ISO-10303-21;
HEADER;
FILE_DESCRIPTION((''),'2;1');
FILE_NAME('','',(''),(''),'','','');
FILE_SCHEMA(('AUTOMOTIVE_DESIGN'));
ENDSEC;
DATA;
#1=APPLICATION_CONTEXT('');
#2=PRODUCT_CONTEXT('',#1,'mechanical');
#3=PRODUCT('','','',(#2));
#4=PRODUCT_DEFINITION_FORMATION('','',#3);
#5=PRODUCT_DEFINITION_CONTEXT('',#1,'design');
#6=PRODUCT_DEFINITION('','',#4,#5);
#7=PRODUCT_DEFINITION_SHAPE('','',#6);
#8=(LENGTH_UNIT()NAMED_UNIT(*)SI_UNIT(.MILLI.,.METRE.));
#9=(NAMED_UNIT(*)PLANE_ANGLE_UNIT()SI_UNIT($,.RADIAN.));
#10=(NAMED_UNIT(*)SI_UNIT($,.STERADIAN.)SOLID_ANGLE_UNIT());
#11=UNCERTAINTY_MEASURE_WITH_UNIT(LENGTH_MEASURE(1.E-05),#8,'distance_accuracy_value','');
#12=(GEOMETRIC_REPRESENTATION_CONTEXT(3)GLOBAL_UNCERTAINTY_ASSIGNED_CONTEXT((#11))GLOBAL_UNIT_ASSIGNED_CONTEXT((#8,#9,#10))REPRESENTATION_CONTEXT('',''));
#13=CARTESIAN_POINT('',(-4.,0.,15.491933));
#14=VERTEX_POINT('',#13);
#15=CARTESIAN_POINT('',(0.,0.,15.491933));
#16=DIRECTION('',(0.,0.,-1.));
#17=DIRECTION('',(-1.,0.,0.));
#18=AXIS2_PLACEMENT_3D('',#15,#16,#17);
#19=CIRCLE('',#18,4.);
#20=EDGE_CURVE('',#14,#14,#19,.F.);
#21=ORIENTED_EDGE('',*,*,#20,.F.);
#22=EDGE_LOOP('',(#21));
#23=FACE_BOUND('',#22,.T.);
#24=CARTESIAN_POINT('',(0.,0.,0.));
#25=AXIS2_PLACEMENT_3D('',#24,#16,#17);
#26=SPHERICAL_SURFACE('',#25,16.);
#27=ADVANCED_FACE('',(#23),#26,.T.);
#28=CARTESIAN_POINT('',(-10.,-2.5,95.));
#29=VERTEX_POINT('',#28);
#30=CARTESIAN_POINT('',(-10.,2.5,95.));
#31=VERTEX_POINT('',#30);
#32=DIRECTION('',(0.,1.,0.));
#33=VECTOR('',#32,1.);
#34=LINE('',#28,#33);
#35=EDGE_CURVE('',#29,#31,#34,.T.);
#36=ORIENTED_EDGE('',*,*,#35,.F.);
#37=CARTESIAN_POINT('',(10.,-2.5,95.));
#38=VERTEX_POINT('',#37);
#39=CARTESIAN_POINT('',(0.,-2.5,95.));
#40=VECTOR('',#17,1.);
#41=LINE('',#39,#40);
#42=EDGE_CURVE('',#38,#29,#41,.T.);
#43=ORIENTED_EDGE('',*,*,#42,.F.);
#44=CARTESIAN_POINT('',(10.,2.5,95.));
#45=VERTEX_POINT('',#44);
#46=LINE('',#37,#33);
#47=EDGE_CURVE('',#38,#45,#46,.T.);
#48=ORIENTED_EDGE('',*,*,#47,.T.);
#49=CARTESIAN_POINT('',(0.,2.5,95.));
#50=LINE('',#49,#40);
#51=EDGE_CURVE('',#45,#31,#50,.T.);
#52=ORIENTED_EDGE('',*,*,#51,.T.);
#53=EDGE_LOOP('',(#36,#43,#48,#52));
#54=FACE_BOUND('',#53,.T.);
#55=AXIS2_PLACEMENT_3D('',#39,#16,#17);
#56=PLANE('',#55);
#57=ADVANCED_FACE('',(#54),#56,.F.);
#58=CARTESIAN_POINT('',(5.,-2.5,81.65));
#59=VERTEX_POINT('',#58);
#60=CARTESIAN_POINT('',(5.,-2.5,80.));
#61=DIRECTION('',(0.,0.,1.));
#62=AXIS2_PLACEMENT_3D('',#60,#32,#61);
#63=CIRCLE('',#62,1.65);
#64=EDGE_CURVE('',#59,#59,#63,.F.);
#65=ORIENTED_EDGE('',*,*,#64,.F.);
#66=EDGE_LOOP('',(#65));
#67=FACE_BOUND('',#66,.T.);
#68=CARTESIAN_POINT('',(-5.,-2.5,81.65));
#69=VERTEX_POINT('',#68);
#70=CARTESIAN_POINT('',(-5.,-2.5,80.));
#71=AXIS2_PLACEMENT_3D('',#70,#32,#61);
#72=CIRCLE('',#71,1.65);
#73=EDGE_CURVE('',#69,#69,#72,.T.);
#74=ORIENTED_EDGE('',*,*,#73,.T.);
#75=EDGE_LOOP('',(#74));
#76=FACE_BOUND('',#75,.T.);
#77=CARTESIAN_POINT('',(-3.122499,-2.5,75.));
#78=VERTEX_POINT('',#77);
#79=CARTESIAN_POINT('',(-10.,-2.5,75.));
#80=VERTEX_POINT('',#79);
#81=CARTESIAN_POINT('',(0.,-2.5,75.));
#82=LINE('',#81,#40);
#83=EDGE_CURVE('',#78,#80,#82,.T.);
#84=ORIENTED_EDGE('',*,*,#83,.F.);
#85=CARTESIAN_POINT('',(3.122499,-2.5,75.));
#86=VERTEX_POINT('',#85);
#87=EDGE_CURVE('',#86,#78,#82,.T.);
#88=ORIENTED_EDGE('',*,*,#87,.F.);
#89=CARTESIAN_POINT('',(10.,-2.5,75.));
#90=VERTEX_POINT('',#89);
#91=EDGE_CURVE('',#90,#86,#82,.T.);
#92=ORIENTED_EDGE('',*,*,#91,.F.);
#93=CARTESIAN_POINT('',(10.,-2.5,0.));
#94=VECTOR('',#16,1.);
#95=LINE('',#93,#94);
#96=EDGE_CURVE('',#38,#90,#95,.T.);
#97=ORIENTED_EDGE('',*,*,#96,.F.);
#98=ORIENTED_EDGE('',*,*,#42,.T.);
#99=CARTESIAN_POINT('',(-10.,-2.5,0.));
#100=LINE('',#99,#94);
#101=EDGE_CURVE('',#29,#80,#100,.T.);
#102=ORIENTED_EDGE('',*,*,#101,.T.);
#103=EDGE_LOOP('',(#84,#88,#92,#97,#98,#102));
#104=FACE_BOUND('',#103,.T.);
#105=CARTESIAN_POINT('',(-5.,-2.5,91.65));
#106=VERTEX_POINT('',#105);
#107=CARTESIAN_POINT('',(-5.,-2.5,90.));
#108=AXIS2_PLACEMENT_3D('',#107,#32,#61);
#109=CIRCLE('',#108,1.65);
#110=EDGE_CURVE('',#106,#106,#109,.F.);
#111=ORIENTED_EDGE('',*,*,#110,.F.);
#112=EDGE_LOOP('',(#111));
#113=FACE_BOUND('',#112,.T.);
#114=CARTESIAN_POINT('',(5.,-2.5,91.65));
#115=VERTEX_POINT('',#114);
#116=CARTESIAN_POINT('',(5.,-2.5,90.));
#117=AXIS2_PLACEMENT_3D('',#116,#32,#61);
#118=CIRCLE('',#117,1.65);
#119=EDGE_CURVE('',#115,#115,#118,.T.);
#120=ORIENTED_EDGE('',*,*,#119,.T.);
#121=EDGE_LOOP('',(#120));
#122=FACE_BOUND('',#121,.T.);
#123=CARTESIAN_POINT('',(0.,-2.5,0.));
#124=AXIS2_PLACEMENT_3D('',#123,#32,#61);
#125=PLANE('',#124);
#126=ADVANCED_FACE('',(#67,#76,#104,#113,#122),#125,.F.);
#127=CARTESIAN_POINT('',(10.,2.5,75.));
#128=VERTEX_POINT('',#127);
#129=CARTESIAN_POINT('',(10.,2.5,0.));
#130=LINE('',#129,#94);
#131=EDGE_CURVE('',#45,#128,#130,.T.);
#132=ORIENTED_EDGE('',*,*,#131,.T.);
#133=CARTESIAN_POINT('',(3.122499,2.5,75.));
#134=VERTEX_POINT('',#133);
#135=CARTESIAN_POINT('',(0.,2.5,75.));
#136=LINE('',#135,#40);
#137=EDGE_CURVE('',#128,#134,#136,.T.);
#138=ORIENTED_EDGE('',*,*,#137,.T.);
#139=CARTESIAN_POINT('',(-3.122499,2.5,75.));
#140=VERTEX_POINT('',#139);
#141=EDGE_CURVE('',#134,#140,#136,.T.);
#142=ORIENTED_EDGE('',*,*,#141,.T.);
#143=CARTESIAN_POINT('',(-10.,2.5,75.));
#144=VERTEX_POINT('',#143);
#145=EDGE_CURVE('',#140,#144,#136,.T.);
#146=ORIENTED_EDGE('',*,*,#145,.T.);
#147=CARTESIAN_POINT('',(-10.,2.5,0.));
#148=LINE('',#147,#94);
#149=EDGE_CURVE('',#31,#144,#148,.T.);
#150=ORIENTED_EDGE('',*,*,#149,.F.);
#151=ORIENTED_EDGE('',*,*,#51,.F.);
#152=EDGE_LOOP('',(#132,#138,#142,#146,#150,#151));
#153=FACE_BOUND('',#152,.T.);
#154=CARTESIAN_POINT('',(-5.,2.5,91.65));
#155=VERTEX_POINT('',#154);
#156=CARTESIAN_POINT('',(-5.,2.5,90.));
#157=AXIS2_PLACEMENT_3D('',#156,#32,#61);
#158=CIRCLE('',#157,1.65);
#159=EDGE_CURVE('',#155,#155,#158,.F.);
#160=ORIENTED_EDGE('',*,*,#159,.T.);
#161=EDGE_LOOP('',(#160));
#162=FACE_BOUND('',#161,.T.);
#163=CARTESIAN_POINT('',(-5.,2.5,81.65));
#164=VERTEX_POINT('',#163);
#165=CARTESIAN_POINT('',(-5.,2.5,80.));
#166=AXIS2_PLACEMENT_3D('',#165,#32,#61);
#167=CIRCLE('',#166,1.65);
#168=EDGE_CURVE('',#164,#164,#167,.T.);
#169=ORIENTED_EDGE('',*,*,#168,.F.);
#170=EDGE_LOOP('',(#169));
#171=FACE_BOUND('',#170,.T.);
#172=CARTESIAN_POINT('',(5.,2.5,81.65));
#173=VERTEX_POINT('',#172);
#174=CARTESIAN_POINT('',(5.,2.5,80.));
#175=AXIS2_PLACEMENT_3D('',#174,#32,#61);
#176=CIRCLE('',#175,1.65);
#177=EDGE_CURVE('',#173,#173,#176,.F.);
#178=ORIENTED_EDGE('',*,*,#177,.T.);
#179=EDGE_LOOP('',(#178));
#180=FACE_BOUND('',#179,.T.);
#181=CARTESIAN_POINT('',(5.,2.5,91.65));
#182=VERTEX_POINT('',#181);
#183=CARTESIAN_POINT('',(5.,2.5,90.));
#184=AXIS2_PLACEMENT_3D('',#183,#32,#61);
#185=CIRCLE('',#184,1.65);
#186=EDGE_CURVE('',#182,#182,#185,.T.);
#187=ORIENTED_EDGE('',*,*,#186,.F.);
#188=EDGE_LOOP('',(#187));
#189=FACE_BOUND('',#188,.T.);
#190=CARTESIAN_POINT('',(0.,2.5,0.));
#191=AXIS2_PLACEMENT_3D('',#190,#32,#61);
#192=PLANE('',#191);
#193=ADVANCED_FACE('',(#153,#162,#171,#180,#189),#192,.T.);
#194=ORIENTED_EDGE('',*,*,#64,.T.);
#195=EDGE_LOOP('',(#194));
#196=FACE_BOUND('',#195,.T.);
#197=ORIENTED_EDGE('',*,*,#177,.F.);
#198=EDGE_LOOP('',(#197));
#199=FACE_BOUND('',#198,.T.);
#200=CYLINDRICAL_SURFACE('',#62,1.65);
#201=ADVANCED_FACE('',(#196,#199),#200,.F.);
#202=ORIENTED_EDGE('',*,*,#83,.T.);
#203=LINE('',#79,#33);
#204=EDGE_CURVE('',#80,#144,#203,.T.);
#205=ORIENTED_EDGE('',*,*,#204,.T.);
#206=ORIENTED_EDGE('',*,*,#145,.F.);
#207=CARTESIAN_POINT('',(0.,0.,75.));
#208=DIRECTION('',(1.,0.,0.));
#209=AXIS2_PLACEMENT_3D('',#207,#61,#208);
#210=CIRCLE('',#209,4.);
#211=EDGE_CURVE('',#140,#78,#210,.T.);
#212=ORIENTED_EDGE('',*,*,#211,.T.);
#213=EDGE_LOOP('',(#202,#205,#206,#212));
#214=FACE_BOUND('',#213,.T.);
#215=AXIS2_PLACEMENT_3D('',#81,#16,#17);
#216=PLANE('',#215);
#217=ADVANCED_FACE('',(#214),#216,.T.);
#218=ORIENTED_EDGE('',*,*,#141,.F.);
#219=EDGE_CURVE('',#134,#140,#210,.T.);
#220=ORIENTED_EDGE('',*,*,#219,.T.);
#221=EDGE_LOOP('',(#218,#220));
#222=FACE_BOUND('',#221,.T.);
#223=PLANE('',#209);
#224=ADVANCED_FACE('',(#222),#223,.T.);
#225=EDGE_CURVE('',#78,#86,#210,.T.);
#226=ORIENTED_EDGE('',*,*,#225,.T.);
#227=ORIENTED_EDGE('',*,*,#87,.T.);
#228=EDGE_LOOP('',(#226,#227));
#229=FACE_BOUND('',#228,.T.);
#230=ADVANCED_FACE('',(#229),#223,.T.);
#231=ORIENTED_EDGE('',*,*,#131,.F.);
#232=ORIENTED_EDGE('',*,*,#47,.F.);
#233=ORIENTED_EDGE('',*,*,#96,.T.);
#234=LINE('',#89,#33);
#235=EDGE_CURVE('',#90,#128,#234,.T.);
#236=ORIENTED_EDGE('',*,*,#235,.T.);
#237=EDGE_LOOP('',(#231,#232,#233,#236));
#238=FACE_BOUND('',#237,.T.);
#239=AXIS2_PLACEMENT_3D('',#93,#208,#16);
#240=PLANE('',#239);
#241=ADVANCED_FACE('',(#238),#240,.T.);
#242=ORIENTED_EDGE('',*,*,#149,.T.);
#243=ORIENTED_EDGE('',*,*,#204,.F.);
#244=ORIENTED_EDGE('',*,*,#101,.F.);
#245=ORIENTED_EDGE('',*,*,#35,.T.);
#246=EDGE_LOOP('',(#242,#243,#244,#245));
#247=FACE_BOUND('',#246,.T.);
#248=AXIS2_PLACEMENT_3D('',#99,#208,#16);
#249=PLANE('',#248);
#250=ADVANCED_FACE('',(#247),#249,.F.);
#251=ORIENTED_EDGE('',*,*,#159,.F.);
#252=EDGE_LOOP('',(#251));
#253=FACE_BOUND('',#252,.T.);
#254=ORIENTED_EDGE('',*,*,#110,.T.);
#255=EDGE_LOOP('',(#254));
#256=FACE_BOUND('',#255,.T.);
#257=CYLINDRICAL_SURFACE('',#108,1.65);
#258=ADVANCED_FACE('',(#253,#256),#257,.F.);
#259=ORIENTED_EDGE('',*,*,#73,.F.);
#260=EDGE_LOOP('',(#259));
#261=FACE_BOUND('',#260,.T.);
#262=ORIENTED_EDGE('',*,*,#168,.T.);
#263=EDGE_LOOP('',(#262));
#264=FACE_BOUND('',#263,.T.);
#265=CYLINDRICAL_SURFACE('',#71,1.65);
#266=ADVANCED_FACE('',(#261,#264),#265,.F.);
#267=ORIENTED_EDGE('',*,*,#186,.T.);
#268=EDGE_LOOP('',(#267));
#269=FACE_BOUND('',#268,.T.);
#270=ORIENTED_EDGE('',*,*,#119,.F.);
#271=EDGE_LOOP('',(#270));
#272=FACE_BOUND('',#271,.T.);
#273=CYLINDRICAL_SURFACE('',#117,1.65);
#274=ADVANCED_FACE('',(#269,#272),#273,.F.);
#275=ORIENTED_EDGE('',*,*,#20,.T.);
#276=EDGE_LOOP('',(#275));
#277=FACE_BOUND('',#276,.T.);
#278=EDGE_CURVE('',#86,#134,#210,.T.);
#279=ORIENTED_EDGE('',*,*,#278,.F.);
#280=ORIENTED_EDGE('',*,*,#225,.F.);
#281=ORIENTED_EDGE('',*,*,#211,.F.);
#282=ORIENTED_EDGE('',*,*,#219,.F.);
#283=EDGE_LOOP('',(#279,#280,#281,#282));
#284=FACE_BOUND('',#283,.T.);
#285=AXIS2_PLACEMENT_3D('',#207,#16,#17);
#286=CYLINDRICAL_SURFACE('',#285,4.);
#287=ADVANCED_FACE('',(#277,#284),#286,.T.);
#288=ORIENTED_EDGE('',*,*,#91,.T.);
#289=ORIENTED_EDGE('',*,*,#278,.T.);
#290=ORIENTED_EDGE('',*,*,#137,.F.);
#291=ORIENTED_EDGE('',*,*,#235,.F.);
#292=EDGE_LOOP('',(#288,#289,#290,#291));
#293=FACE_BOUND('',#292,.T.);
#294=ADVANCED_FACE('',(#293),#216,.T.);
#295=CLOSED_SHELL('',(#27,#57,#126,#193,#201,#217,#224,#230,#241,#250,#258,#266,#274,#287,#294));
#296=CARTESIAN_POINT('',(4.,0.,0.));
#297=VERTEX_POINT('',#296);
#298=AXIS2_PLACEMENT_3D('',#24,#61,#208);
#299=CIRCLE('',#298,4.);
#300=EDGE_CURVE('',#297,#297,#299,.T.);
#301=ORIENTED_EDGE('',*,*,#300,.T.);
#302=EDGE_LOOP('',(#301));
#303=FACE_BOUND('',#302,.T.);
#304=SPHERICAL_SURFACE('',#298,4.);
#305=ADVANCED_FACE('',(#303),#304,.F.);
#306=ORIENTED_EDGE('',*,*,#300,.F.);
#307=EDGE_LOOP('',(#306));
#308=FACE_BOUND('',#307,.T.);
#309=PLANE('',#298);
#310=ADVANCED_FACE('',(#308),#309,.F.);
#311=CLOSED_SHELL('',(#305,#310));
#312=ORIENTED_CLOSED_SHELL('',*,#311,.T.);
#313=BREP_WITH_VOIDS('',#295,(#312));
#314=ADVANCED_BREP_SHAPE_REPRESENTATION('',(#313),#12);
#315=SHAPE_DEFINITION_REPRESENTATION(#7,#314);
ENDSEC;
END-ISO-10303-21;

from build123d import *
from build123d.topology import SkipClean

# Parameters (mm, degrees)
SKETCH1_3_R              = 4
BOSS_EXTRUDE1_DEPTH      = 75
BOSS_EXTRUDE2_DEPTH      = 2.5
BOSS_EXTRUDE2_DEPTH_BACK = 2.5
SKETCH2_W                = 20
SKETCH2_H                = 20
SKETCH2_R                = 1.65


with BuildPart() as part:
    # Sketch1 one side → Revolve7 (revolve)
    with BuildSketch(Plane.XY):
        with BuildLine():
            ThreePointArc((0, -16), (11.313708499, -11.313708499), (16, 0))
            ThreePointArc((16, 0), (11.313708499, 11.313708499), (0, 16))
            Line((0, 16), (0, 4))
            ThreePointArc((0, 4), (2.828427125, 2.828427125), (4, 0))
            ThreePointArc((4, 0), (2.828427125, -2.828427125), (0, -4))
            Line((0, -4), (0, -16))
        make_face()
    revolve(axis=Axis((0, 16, 0), (0, -1, 0)))

    # Sketch1<3> → Boss-Extrude1 (add)
    with SkipClean():  # the faces are left unmerged after this step: merging them gives an invalid solid
        with BuildSketch(Plane.XY):
            Circle(SKETCH1_3_R)
        extrude(amount=BOSS_EXTRUDE1_DEPTH)

    # Sketch2 → Boss-Extrude2 (add, two sides: drawn at the far end of the back side and taken through both)
    with SkipClean():  # the faces are left unmerged after this step: merging them gives an invalid solid
        with BuildSketch(Plane(origin=(0, 0, 0), x_dir=(1, 0, 0), z_dir=(0, 1, 0)).offset(-BOSS_EXTRUDE2_DEPTH_BACK)):
            with Locations((0, -85)):
                Rectangle(SKETCH2_W, SKETCH2_H)
            with Locations((-5, -80)):
                Circle(SKETCH2_R, mode=Mode.SUBTRACT)
            with Locations((5, -80)):
                Circle(SKETCH2_R, mode=Mode.SUBTRACT)
            with Locations((5, -90)):
                Circle(SKETCH2_R, mode=Mode.SUBTRACT)
            with Locations((-5, -90)):
                Circle(SKETCH2_R, mode=Mode.SUBTRACT)
        extrude(amount=BOSS_EXTRUDE2_DEPTH + BOSS_EXTRUDE2_DEPTH_BACK)


solid = part.part
